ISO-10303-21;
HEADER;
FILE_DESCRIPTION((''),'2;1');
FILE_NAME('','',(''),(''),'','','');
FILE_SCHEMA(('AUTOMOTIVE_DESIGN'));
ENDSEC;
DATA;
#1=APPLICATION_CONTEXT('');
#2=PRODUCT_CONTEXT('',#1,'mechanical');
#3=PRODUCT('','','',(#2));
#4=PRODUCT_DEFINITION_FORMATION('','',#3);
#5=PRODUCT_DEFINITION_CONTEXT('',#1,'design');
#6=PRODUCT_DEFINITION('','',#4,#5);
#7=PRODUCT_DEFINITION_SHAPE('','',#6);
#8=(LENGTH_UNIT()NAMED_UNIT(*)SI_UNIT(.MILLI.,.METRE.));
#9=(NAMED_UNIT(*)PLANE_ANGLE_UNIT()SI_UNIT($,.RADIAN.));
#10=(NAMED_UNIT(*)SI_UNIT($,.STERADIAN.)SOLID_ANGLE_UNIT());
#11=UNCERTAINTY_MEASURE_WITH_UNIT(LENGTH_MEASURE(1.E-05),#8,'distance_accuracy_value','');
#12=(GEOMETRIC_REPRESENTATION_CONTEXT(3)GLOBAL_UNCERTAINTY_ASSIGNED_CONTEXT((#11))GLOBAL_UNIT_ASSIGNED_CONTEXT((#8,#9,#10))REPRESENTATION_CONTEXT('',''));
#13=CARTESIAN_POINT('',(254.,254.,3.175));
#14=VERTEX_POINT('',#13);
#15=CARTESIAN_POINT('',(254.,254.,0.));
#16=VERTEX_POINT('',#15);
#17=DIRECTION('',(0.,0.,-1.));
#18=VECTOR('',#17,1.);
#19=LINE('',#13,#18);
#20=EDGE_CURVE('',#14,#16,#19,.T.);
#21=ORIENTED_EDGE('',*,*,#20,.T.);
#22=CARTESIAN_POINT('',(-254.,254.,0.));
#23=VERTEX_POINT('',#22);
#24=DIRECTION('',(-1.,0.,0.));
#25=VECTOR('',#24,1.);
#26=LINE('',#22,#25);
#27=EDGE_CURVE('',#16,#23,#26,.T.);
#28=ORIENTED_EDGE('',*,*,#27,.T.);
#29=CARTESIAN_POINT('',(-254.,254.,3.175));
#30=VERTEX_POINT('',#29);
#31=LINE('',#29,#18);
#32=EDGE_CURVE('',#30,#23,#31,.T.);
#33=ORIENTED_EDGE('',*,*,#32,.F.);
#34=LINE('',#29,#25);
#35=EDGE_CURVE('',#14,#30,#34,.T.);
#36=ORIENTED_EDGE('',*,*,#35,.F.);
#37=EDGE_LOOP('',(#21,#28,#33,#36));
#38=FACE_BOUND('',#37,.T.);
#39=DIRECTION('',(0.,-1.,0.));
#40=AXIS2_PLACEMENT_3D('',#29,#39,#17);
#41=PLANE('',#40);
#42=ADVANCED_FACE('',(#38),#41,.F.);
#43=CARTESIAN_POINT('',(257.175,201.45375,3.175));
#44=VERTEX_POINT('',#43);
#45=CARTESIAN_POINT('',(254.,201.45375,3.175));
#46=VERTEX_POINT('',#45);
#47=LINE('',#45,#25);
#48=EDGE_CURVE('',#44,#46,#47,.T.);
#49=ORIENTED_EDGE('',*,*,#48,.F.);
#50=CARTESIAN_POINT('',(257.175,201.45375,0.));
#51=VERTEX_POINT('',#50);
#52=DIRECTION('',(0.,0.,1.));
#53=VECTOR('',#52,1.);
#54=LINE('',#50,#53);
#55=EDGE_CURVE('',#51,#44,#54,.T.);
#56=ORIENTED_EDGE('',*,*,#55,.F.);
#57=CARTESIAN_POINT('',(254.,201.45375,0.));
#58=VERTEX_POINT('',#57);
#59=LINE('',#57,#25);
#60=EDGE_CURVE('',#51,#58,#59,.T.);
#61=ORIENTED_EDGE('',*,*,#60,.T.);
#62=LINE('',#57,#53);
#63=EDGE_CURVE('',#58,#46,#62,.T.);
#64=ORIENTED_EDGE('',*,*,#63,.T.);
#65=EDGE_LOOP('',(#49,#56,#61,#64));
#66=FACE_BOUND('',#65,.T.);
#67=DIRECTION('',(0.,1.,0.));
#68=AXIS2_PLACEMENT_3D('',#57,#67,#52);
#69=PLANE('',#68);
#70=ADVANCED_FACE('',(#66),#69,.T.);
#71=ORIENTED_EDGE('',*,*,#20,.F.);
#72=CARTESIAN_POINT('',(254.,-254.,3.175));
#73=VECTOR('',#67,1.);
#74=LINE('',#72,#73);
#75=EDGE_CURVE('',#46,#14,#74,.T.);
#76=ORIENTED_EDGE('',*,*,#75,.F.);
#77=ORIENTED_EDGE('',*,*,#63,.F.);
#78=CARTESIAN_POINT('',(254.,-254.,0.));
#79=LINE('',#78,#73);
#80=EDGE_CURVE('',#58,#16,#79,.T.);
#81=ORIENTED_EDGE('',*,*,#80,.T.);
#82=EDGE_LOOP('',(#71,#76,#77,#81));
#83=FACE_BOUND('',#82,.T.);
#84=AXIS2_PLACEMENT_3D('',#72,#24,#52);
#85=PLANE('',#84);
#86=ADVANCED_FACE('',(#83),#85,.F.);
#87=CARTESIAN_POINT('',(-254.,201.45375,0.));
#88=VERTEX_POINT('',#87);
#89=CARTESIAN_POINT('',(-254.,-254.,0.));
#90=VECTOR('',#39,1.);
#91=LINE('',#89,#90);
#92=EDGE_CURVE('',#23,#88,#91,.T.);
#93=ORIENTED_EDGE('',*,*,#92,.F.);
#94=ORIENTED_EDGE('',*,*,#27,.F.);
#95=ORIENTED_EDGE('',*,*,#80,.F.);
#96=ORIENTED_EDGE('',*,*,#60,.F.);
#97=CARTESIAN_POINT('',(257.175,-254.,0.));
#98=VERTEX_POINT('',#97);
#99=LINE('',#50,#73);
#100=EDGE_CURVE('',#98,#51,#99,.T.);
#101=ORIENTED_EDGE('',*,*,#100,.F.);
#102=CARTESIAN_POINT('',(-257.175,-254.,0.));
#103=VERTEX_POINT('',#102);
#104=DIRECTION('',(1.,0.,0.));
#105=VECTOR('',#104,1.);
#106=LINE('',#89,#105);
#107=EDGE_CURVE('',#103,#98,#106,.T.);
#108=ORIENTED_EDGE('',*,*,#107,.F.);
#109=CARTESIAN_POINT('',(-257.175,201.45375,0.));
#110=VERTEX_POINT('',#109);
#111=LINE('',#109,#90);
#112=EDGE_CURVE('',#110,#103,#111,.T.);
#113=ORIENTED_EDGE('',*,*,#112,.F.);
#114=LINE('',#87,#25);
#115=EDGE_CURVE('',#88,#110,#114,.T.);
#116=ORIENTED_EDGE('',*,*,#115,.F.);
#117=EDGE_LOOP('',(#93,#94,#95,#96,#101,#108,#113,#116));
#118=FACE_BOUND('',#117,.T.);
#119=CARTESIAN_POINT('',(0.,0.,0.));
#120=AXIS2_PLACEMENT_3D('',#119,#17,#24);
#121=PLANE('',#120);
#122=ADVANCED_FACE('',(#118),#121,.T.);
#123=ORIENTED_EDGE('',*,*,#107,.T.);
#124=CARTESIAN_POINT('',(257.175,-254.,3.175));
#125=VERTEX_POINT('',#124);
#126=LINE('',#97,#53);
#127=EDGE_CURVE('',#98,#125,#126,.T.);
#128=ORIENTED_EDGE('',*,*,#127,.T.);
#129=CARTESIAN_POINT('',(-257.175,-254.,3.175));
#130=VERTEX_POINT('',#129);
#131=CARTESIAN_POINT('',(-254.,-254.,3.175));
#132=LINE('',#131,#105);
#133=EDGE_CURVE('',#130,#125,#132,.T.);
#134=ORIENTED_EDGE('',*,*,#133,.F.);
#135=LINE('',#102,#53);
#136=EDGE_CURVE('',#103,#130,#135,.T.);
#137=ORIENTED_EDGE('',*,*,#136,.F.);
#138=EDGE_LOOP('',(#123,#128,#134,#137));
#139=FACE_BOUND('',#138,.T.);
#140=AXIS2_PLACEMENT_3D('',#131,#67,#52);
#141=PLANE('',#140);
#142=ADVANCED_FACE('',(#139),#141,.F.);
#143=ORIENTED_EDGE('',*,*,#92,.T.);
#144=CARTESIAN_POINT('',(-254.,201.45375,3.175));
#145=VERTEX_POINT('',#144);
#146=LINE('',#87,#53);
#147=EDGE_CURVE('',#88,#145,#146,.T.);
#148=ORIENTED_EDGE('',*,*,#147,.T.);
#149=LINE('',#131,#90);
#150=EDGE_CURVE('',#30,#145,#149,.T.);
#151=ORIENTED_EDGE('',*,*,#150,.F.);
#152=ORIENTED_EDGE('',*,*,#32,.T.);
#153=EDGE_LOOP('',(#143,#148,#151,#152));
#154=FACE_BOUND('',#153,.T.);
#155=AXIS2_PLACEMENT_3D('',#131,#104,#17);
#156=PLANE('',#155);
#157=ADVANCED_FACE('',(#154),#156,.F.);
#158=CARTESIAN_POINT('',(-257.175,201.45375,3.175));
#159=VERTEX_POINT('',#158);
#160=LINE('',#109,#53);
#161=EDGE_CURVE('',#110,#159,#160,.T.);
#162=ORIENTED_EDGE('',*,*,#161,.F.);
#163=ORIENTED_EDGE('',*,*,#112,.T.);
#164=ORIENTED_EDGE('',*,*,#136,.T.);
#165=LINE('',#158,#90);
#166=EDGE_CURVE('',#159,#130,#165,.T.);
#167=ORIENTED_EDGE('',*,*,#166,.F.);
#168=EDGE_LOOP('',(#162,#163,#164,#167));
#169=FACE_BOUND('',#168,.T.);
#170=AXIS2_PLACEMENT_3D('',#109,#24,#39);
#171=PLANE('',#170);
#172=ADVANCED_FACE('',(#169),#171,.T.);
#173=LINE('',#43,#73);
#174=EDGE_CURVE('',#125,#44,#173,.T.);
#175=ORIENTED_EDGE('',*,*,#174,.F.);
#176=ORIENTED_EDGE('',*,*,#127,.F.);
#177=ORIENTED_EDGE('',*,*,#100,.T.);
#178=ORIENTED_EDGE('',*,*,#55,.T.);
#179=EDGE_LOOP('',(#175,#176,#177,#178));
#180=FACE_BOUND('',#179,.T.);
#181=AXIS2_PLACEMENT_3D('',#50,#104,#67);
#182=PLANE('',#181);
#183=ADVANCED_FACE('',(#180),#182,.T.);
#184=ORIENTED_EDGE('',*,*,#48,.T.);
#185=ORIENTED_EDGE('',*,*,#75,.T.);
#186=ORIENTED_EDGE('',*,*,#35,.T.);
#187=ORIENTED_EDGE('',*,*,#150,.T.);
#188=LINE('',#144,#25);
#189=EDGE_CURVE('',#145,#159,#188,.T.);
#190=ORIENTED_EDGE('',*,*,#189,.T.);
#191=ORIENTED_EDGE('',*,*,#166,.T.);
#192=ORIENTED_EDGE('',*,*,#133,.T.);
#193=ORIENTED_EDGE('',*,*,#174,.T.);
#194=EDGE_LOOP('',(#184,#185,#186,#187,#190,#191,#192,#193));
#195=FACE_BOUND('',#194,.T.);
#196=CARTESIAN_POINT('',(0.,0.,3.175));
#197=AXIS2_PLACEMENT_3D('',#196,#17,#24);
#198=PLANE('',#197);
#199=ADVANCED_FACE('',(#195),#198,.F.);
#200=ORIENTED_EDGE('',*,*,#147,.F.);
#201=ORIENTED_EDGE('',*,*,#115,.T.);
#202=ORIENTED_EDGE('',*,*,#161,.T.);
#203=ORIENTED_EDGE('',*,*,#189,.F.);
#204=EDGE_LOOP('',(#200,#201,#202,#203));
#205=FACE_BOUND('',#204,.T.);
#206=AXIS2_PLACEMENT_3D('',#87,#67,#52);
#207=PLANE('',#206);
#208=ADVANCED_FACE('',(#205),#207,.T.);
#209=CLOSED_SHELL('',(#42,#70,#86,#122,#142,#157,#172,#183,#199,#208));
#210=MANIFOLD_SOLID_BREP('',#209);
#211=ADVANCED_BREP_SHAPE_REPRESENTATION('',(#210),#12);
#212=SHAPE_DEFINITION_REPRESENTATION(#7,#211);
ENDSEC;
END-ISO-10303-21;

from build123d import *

# Parameters (mm, degrees)
SKETCH1_W           = 508
SKETCH1_H           = 508
BOSS_EXTRUDE1_DEPTH = 3.175
SKETCH4_W           = 3.175
SKETCH4_H           = 455.45375
BOSS_EXTRUDE2_DEPTH = 3.175


with BuildPart() as part:
    # Sketch1 → Boss-Extrude1 (new body)
    with BuildSketch(Plane.XY):
        Rectangle(SKETCH1_W, SKETCH1_H)
    extrude(amount=BOSS_EXTRUDE1_DEPTH)

    # Sketch4 → Boss-Extrude2 (add)
    with BuildSketch(Plane.XY.offset(3.175)):
        with Locations((255.5875, -26.273125)):
            Rectangle(SKETCH4_W, SKETCH4_H)
        with Locations((-255.5875, -26.273125)):
            Rectangle(SKETCH4_W, SKETCH4_H)
    extrude(amount=-BOSS_EXTRUDE2_DEPTH)


solid = part.part
